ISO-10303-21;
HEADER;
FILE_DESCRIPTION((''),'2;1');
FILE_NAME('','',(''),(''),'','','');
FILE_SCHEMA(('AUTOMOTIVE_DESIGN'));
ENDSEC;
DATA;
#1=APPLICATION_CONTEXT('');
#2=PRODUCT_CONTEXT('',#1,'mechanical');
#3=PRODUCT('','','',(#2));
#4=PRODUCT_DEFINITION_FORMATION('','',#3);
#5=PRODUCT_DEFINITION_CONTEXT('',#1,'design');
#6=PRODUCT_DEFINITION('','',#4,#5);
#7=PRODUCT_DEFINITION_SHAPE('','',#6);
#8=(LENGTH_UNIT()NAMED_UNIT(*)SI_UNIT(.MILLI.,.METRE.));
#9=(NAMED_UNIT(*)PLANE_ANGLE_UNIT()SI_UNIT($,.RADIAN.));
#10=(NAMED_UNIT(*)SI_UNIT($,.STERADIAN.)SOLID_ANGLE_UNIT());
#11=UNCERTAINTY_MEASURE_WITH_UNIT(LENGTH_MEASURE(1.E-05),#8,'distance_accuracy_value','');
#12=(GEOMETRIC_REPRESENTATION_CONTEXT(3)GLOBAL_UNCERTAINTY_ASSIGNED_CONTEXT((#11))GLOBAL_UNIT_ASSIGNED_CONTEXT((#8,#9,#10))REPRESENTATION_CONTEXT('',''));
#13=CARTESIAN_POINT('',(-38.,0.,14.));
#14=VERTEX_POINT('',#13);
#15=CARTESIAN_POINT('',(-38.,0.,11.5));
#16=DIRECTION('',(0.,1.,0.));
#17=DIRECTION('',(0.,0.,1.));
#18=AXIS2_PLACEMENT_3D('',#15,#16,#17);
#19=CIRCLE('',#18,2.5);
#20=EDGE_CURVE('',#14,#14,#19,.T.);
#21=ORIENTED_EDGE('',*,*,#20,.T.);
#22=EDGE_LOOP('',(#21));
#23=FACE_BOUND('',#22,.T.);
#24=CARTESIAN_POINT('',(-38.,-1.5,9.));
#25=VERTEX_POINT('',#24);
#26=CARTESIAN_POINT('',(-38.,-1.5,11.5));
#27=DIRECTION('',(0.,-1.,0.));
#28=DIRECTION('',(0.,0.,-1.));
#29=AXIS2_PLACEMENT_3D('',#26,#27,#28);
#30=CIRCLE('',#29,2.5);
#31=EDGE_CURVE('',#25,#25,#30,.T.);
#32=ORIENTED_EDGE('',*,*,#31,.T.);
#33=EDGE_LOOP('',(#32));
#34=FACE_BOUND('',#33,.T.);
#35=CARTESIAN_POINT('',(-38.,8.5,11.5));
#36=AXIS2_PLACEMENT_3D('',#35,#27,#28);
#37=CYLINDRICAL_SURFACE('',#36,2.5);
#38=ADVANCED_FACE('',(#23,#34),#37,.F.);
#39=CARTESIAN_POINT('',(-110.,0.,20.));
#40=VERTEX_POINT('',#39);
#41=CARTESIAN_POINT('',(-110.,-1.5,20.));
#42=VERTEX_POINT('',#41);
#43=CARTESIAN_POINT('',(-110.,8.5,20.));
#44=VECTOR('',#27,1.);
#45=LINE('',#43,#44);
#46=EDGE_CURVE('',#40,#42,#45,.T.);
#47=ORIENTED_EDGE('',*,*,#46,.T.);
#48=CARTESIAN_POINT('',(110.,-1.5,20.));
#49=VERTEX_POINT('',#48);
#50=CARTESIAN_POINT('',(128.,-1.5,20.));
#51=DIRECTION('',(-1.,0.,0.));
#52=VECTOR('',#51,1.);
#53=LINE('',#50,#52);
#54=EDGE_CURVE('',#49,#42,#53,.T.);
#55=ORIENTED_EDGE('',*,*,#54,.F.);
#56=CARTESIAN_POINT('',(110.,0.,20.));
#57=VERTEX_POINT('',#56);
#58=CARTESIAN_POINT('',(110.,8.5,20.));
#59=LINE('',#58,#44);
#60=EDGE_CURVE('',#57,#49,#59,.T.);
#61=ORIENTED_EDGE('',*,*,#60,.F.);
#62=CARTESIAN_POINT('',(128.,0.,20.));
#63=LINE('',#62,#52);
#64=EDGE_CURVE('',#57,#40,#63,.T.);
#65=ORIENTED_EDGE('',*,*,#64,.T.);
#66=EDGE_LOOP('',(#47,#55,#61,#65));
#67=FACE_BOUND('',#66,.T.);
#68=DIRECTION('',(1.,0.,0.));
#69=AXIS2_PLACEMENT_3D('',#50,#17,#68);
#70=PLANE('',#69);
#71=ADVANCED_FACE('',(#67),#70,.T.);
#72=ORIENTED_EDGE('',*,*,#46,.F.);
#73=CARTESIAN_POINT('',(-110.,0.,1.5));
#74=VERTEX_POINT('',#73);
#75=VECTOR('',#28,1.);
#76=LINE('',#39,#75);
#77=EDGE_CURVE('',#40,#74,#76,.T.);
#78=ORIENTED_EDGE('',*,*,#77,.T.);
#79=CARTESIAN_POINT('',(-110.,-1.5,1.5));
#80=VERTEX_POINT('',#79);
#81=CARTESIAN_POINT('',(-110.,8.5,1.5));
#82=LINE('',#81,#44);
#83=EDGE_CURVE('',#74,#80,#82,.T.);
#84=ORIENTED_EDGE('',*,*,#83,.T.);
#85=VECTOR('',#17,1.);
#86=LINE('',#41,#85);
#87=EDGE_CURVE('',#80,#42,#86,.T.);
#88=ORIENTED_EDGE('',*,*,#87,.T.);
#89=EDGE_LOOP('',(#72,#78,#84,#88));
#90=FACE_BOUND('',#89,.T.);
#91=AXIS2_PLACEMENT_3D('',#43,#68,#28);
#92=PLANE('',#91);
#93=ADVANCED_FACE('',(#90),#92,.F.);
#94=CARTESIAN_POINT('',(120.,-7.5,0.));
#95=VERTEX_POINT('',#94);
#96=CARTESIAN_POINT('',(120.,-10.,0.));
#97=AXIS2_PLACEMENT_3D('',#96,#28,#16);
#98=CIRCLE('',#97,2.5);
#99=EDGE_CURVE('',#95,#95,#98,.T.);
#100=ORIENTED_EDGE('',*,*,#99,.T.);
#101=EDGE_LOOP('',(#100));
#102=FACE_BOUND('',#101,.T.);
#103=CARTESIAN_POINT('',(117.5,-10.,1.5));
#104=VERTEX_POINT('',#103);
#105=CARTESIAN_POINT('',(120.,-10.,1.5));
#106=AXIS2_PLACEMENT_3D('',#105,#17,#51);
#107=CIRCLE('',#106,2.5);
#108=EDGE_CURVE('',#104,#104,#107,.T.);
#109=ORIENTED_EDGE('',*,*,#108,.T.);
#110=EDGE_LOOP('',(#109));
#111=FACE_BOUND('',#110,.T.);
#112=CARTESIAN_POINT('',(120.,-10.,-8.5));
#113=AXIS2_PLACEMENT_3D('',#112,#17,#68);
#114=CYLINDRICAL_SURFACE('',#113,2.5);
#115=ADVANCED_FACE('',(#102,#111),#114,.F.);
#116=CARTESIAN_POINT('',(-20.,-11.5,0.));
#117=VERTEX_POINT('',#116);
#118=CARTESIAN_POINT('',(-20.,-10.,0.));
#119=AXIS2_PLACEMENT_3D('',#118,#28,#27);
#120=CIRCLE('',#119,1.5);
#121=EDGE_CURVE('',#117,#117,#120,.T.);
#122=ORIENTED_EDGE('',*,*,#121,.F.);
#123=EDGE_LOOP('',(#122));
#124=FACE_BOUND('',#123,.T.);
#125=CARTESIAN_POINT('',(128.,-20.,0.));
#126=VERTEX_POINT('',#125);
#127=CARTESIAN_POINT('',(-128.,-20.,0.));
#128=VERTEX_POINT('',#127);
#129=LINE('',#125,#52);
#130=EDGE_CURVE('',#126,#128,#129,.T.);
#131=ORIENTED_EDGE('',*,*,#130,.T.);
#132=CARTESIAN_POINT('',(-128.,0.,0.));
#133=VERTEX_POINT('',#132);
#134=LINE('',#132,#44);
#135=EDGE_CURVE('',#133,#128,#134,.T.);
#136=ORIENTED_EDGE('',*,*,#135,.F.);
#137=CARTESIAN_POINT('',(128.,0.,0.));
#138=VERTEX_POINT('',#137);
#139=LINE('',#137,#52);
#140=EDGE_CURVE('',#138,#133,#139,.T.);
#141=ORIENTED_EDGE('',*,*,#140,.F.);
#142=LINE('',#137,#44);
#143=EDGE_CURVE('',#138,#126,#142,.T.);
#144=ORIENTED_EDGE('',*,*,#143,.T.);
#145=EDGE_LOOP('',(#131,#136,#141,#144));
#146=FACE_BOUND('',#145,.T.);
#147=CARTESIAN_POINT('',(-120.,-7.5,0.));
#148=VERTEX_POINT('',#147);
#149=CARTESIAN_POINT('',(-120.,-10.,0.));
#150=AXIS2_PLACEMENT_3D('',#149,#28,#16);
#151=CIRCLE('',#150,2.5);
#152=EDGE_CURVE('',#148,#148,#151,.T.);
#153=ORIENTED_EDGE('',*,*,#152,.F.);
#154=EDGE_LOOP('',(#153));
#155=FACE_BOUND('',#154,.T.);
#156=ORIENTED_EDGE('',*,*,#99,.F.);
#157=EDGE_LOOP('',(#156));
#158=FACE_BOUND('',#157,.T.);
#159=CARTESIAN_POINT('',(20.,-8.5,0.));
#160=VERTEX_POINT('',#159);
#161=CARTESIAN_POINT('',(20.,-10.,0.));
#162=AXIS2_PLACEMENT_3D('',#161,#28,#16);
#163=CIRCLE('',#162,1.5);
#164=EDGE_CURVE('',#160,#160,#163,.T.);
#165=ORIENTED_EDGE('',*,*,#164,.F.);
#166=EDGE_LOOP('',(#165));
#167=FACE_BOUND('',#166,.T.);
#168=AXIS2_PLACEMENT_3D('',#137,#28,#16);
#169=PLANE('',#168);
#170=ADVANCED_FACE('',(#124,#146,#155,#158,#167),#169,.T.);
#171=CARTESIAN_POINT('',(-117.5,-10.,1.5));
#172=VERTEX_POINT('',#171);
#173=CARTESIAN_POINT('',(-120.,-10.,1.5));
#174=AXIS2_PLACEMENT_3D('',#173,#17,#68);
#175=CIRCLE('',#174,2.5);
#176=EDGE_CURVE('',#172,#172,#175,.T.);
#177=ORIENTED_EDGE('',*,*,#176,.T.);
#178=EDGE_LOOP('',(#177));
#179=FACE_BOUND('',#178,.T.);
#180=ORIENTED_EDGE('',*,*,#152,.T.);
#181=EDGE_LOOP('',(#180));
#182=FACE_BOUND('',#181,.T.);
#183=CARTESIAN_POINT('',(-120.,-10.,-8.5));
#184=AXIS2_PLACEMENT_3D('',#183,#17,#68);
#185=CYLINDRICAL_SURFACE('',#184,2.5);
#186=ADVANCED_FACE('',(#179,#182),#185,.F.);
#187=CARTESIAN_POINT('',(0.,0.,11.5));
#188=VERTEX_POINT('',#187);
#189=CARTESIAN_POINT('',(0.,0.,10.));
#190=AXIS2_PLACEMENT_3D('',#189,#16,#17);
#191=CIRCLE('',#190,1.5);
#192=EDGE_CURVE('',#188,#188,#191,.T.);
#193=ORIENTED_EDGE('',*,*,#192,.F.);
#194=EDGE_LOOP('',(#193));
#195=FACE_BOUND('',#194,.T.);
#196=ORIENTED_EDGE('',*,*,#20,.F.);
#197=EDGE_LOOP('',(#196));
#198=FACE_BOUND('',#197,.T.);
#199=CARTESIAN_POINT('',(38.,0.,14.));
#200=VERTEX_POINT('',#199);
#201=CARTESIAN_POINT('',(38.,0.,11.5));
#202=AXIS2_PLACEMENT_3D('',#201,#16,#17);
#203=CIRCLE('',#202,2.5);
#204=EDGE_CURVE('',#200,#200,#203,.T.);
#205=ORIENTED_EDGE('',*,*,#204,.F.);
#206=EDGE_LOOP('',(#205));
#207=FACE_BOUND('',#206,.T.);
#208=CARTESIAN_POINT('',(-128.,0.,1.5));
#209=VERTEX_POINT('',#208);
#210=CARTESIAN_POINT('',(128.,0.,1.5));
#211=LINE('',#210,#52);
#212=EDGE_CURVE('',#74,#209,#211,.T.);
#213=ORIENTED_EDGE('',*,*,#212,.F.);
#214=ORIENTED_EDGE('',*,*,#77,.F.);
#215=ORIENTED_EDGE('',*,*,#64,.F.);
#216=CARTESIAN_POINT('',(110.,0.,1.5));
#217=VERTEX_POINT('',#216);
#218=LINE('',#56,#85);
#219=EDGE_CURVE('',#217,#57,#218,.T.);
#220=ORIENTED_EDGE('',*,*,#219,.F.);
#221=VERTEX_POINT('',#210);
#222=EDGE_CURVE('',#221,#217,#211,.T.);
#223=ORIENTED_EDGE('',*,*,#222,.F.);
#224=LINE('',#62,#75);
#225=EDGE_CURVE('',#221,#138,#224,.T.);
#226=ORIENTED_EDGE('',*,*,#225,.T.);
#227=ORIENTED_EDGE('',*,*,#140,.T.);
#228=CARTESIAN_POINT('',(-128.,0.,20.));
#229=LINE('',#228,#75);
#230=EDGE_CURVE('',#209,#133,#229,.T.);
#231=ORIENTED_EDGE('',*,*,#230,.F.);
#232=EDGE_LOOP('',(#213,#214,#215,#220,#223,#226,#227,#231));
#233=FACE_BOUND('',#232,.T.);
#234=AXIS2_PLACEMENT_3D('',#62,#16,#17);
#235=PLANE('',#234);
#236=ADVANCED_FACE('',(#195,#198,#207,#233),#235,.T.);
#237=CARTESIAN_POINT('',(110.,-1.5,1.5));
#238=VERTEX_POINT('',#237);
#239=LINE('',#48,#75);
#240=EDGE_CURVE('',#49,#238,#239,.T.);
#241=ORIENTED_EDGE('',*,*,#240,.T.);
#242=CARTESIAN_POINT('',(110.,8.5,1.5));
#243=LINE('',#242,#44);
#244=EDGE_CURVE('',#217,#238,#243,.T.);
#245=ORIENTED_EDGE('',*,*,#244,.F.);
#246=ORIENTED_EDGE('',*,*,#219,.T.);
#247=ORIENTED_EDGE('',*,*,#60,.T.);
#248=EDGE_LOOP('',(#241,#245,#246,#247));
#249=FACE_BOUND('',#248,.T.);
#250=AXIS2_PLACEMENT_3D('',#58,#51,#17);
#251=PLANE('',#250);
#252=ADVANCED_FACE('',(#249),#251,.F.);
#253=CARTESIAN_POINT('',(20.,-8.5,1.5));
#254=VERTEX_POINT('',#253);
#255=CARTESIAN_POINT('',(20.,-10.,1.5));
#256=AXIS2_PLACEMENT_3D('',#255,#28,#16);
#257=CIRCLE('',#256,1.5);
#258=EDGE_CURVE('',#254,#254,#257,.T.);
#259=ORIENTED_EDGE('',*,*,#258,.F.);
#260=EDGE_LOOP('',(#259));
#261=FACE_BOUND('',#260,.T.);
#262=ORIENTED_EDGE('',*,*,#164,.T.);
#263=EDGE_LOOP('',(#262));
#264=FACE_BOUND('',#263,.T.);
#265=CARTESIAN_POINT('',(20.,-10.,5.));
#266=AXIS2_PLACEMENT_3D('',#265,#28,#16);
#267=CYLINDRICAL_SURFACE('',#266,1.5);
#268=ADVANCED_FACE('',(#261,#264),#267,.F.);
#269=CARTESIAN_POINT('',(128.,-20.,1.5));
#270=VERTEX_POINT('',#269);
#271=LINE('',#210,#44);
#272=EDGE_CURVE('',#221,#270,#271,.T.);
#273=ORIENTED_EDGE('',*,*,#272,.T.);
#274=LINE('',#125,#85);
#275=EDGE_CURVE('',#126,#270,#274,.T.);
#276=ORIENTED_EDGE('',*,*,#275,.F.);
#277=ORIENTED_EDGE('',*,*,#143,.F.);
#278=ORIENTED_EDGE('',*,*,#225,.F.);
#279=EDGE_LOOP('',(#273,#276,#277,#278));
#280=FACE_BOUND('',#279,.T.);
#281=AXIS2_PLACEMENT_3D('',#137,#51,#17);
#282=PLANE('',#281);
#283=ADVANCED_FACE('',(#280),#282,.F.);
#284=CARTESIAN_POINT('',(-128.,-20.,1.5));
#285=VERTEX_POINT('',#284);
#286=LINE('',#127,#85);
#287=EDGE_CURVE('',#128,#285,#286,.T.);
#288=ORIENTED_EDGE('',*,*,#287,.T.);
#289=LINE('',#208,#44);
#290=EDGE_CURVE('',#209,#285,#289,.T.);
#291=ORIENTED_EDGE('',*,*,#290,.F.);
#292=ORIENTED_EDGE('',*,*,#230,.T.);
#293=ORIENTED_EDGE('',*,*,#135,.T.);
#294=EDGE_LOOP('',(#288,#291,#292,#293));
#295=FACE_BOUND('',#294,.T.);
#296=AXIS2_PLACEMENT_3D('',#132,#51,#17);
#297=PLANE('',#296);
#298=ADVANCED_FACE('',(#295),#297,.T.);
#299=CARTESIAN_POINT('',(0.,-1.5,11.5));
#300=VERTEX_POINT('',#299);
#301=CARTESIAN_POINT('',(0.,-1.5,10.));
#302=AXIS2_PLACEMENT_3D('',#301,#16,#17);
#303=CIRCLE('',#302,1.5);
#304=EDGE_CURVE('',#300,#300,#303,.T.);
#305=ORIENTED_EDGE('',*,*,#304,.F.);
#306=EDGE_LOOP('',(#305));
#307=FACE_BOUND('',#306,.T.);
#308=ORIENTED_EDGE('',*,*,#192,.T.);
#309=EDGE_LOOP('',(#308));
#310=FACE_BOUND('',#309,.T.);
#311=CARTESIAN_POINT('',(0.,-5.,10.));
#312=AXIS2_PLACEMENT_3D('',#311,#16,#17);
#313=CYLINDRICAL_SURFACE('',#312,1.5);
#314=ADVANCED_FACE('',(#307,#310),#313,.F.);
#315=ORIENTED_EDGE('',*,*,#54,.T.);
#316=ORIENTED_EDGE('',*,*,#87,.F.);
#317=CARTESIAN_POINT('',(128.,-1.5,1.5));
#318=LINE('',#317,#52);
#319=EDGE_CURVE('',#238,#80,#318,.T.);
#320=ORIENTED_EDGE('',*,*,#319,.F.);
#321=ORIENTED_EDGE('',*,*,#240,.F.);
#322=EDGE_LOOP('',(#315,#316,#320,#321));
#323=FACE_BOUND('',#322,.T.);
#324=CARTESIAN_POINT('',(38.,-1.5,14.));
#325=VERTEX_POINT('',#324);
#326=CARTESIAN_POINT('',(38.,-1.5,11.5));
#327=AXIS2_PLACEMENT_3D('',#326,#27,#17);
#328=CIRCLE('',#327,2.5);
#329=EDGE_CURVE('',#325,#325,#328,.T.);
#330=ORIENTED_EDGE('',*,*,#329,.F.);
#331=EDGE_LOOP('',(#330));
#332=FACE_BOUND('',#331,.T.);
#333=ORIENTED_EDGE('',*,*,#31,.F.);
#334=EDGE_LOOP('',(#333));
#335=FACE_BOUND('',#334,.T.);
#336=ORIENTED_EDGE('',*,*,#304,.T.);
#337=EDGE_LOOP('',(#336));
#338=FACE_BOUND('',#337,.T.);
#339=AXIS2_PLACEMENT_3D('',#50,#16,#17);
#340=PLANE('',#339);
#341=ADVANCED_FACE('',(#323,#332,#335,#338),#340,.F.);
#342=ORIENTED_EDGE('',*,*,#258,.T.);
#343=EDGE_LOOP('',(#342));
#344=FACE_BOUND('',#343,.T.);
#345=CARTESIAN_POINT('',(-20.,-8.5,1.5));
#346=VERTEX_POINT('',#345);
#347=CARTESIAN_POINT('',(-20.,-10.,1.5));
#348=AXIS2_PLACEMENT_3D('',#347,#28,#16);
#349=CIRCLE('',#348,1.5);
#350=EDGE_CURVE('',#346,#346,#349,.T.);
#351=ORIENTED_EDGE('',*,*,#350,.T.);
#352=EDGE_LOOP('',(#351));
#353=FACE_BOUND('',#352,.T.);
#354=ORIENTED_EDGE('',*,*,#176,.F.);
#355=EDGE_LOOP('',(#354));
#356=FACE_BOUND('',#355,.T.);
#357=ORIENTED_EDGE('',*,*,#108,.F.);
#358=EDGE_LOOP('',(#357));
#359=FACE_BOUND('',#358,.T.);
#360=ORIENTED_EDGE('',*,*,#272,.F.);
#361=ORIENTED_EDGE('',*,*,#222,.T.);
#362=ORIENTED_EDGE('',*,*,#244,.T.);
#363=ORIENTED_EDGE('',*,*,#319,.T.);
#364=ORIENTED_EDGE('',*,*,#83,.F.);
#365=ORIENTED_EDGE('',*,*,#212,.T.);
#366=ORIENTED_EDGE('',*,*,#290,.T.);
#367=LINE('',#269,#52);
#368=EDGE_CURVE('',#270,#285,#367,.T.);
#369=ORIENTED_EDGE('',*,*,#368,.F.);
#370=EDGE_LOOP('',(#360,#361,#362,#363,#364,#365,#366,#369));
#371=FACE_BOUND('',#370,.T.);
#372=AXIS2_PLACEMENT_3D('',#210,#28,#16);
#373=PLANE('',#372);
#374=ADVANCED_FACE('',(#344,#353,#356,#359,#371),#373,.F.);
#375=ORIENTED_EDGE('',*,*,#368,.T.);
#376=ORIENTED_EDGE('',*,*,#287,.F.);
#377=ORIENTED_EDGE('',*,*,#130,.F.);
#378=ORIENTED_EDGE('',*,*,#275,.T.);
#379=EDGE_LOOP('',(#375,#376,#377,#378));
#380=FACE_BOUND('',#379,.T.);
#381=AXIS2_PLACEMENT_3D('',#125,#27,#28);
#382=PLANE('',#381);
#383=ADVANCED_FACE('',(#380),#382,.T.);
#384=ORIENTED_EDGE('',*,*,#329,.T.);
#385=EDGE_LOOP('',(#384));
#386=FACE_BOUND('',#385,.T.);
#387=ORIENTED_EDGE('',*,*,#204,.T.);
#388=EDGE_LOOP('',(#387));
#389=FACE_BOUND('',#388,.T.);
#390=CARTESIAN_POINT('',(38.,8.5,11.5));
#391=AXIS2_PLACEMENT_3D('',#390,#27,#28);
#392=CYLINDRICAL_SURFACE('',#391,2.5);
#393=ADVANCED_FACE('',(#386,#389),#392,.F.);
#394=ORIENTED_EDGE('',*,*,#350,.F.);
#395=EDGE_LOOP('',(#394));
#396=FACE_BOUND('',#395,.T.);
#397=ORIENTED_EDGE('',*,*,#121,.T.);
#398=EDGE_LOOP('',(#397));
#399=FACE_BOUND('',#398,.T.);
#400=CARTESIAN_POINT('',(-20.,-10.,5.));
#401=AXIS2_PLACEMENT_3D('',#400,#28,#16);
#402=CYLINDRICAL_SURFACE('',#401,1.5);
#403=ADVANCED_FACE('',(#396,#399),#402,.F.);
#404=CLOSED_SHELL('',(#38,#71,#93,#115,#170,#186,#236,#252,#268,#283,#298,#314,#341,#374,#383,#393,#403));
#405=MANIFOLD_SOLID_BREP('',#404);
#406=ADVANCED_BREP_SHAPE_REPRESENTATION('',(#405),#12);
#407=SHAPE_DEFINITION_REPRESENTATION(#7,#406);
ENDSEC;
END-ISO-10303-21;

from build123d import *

# Parameters (mm, degrees)
EXTRU_MINCE1_DEPTH      = 128
ESQUISSE2_R             = 2.5
ENL_V_MAT_EXTRU_1_DEPTH = 10
ESQUISSE3_R             = 2.5
ESQUISSE3_W             = 18
ESQUISSE3_H             = 18.5
ENL_V_MAT_EXTRU_2_DEPTH = 10
ESQUISSE4_R             = 1.5
ENL_V_MAT_EXTRU_3_DEPTH = 5
ESQUISSE5_R             = 1.5
ENL_V_MAT_EXTRU_4_DEPTH = 5


with BuildPart() as part:
    # Esquisse1 → Extru.-Mince1 (new, symmetric)
    with BuildSketch(Plane(origin=(0, 0, 0), x_dir=(0, 0, -1), z_dir=(1, 0, 0))):
        Polygon((-20, 0), (0, 0), (0, -20), (-1.5, -20), (-1.5, -1.5), (-20, -1.5), align=None)
    extrude(amount=EXTRU_MINCE1_DEPTH, both=True)

    # Esquisse2 → Enlèv. mat.-Extru.1 (cut)
    with BuildSketch(Plane.XY.offset(1.5)):
        with Locations((-120, -10)):
            Circle(ESQUISSE2_R)
        with Locations(Location((120, -10, 0), (0, 0, 90))):
            Circle(ESQUISSE2_R)
    extrude(amount=-ENL_V_MAT_EXTRU_1_DEPTH, mode=Mode.SUBTRACT)

    # Esquisse3 → Enlèv. mat.-Extru.2 (cut)
    with BuildSketch(Plane.XZ.offset(1.5)):
        with Locations(Location((-38, 11.5, 0), (0, 0, 270))):
            Circle(ESQUISSE3_R)
        with Locations(Location((38, 11.5, 0), (0, 0, 90))):
            Circle(ESQUISSE3_R)
        with Locations((-119, 10.75)):
            Rectangle(ESQUISSE3_W, ESQUISSE3_H)
        with Locations((119, 10.75)):
            Rectangle(ESQUISSE3_W, ESQUISSE3_H)
    extrude(amount=-ENL_V_MAT_EXTRU_2_DEPTH, mode=Mode.SUBTRACT)

    # Esquisse4 → Enlèv. mat.-Extru.3 (cut)
    with BuildSketch(Plane(origin=(0, 0, 0), x_dir=(1, 0, 0), z_dir=(0, 1, 0))):
        with Locations(Location((0, -10, 0), (0, 0, 270))):
            Circle(ESQUISSE4_R)
    extrude(amount=-ENL_V_MAT_EXTRU_3_DEPTH, mode=Mode.SUBTRACT)

    # Esquisse5 → Enlèv. mat.-Extru.4 (cut)
    with BuildSketch(Plane(origin=(0, 0, 0), x_dir=(-1, 0, 0), z_dir=(0, 0, -1))):
        with Locations(Location((-20, -10, 0), (0, 0, 90))):
            Circle(ESQUISSE5_R)
        with Locations(Location((20, -10, 0), (0, 0, 90))):
            Circle(ESQUISSE5_R)
    extrude(amount=-ENL_V_MAT_EXTRU_4_DEPTH, mode=Mode.SUBTRACT)


solid = part.part
